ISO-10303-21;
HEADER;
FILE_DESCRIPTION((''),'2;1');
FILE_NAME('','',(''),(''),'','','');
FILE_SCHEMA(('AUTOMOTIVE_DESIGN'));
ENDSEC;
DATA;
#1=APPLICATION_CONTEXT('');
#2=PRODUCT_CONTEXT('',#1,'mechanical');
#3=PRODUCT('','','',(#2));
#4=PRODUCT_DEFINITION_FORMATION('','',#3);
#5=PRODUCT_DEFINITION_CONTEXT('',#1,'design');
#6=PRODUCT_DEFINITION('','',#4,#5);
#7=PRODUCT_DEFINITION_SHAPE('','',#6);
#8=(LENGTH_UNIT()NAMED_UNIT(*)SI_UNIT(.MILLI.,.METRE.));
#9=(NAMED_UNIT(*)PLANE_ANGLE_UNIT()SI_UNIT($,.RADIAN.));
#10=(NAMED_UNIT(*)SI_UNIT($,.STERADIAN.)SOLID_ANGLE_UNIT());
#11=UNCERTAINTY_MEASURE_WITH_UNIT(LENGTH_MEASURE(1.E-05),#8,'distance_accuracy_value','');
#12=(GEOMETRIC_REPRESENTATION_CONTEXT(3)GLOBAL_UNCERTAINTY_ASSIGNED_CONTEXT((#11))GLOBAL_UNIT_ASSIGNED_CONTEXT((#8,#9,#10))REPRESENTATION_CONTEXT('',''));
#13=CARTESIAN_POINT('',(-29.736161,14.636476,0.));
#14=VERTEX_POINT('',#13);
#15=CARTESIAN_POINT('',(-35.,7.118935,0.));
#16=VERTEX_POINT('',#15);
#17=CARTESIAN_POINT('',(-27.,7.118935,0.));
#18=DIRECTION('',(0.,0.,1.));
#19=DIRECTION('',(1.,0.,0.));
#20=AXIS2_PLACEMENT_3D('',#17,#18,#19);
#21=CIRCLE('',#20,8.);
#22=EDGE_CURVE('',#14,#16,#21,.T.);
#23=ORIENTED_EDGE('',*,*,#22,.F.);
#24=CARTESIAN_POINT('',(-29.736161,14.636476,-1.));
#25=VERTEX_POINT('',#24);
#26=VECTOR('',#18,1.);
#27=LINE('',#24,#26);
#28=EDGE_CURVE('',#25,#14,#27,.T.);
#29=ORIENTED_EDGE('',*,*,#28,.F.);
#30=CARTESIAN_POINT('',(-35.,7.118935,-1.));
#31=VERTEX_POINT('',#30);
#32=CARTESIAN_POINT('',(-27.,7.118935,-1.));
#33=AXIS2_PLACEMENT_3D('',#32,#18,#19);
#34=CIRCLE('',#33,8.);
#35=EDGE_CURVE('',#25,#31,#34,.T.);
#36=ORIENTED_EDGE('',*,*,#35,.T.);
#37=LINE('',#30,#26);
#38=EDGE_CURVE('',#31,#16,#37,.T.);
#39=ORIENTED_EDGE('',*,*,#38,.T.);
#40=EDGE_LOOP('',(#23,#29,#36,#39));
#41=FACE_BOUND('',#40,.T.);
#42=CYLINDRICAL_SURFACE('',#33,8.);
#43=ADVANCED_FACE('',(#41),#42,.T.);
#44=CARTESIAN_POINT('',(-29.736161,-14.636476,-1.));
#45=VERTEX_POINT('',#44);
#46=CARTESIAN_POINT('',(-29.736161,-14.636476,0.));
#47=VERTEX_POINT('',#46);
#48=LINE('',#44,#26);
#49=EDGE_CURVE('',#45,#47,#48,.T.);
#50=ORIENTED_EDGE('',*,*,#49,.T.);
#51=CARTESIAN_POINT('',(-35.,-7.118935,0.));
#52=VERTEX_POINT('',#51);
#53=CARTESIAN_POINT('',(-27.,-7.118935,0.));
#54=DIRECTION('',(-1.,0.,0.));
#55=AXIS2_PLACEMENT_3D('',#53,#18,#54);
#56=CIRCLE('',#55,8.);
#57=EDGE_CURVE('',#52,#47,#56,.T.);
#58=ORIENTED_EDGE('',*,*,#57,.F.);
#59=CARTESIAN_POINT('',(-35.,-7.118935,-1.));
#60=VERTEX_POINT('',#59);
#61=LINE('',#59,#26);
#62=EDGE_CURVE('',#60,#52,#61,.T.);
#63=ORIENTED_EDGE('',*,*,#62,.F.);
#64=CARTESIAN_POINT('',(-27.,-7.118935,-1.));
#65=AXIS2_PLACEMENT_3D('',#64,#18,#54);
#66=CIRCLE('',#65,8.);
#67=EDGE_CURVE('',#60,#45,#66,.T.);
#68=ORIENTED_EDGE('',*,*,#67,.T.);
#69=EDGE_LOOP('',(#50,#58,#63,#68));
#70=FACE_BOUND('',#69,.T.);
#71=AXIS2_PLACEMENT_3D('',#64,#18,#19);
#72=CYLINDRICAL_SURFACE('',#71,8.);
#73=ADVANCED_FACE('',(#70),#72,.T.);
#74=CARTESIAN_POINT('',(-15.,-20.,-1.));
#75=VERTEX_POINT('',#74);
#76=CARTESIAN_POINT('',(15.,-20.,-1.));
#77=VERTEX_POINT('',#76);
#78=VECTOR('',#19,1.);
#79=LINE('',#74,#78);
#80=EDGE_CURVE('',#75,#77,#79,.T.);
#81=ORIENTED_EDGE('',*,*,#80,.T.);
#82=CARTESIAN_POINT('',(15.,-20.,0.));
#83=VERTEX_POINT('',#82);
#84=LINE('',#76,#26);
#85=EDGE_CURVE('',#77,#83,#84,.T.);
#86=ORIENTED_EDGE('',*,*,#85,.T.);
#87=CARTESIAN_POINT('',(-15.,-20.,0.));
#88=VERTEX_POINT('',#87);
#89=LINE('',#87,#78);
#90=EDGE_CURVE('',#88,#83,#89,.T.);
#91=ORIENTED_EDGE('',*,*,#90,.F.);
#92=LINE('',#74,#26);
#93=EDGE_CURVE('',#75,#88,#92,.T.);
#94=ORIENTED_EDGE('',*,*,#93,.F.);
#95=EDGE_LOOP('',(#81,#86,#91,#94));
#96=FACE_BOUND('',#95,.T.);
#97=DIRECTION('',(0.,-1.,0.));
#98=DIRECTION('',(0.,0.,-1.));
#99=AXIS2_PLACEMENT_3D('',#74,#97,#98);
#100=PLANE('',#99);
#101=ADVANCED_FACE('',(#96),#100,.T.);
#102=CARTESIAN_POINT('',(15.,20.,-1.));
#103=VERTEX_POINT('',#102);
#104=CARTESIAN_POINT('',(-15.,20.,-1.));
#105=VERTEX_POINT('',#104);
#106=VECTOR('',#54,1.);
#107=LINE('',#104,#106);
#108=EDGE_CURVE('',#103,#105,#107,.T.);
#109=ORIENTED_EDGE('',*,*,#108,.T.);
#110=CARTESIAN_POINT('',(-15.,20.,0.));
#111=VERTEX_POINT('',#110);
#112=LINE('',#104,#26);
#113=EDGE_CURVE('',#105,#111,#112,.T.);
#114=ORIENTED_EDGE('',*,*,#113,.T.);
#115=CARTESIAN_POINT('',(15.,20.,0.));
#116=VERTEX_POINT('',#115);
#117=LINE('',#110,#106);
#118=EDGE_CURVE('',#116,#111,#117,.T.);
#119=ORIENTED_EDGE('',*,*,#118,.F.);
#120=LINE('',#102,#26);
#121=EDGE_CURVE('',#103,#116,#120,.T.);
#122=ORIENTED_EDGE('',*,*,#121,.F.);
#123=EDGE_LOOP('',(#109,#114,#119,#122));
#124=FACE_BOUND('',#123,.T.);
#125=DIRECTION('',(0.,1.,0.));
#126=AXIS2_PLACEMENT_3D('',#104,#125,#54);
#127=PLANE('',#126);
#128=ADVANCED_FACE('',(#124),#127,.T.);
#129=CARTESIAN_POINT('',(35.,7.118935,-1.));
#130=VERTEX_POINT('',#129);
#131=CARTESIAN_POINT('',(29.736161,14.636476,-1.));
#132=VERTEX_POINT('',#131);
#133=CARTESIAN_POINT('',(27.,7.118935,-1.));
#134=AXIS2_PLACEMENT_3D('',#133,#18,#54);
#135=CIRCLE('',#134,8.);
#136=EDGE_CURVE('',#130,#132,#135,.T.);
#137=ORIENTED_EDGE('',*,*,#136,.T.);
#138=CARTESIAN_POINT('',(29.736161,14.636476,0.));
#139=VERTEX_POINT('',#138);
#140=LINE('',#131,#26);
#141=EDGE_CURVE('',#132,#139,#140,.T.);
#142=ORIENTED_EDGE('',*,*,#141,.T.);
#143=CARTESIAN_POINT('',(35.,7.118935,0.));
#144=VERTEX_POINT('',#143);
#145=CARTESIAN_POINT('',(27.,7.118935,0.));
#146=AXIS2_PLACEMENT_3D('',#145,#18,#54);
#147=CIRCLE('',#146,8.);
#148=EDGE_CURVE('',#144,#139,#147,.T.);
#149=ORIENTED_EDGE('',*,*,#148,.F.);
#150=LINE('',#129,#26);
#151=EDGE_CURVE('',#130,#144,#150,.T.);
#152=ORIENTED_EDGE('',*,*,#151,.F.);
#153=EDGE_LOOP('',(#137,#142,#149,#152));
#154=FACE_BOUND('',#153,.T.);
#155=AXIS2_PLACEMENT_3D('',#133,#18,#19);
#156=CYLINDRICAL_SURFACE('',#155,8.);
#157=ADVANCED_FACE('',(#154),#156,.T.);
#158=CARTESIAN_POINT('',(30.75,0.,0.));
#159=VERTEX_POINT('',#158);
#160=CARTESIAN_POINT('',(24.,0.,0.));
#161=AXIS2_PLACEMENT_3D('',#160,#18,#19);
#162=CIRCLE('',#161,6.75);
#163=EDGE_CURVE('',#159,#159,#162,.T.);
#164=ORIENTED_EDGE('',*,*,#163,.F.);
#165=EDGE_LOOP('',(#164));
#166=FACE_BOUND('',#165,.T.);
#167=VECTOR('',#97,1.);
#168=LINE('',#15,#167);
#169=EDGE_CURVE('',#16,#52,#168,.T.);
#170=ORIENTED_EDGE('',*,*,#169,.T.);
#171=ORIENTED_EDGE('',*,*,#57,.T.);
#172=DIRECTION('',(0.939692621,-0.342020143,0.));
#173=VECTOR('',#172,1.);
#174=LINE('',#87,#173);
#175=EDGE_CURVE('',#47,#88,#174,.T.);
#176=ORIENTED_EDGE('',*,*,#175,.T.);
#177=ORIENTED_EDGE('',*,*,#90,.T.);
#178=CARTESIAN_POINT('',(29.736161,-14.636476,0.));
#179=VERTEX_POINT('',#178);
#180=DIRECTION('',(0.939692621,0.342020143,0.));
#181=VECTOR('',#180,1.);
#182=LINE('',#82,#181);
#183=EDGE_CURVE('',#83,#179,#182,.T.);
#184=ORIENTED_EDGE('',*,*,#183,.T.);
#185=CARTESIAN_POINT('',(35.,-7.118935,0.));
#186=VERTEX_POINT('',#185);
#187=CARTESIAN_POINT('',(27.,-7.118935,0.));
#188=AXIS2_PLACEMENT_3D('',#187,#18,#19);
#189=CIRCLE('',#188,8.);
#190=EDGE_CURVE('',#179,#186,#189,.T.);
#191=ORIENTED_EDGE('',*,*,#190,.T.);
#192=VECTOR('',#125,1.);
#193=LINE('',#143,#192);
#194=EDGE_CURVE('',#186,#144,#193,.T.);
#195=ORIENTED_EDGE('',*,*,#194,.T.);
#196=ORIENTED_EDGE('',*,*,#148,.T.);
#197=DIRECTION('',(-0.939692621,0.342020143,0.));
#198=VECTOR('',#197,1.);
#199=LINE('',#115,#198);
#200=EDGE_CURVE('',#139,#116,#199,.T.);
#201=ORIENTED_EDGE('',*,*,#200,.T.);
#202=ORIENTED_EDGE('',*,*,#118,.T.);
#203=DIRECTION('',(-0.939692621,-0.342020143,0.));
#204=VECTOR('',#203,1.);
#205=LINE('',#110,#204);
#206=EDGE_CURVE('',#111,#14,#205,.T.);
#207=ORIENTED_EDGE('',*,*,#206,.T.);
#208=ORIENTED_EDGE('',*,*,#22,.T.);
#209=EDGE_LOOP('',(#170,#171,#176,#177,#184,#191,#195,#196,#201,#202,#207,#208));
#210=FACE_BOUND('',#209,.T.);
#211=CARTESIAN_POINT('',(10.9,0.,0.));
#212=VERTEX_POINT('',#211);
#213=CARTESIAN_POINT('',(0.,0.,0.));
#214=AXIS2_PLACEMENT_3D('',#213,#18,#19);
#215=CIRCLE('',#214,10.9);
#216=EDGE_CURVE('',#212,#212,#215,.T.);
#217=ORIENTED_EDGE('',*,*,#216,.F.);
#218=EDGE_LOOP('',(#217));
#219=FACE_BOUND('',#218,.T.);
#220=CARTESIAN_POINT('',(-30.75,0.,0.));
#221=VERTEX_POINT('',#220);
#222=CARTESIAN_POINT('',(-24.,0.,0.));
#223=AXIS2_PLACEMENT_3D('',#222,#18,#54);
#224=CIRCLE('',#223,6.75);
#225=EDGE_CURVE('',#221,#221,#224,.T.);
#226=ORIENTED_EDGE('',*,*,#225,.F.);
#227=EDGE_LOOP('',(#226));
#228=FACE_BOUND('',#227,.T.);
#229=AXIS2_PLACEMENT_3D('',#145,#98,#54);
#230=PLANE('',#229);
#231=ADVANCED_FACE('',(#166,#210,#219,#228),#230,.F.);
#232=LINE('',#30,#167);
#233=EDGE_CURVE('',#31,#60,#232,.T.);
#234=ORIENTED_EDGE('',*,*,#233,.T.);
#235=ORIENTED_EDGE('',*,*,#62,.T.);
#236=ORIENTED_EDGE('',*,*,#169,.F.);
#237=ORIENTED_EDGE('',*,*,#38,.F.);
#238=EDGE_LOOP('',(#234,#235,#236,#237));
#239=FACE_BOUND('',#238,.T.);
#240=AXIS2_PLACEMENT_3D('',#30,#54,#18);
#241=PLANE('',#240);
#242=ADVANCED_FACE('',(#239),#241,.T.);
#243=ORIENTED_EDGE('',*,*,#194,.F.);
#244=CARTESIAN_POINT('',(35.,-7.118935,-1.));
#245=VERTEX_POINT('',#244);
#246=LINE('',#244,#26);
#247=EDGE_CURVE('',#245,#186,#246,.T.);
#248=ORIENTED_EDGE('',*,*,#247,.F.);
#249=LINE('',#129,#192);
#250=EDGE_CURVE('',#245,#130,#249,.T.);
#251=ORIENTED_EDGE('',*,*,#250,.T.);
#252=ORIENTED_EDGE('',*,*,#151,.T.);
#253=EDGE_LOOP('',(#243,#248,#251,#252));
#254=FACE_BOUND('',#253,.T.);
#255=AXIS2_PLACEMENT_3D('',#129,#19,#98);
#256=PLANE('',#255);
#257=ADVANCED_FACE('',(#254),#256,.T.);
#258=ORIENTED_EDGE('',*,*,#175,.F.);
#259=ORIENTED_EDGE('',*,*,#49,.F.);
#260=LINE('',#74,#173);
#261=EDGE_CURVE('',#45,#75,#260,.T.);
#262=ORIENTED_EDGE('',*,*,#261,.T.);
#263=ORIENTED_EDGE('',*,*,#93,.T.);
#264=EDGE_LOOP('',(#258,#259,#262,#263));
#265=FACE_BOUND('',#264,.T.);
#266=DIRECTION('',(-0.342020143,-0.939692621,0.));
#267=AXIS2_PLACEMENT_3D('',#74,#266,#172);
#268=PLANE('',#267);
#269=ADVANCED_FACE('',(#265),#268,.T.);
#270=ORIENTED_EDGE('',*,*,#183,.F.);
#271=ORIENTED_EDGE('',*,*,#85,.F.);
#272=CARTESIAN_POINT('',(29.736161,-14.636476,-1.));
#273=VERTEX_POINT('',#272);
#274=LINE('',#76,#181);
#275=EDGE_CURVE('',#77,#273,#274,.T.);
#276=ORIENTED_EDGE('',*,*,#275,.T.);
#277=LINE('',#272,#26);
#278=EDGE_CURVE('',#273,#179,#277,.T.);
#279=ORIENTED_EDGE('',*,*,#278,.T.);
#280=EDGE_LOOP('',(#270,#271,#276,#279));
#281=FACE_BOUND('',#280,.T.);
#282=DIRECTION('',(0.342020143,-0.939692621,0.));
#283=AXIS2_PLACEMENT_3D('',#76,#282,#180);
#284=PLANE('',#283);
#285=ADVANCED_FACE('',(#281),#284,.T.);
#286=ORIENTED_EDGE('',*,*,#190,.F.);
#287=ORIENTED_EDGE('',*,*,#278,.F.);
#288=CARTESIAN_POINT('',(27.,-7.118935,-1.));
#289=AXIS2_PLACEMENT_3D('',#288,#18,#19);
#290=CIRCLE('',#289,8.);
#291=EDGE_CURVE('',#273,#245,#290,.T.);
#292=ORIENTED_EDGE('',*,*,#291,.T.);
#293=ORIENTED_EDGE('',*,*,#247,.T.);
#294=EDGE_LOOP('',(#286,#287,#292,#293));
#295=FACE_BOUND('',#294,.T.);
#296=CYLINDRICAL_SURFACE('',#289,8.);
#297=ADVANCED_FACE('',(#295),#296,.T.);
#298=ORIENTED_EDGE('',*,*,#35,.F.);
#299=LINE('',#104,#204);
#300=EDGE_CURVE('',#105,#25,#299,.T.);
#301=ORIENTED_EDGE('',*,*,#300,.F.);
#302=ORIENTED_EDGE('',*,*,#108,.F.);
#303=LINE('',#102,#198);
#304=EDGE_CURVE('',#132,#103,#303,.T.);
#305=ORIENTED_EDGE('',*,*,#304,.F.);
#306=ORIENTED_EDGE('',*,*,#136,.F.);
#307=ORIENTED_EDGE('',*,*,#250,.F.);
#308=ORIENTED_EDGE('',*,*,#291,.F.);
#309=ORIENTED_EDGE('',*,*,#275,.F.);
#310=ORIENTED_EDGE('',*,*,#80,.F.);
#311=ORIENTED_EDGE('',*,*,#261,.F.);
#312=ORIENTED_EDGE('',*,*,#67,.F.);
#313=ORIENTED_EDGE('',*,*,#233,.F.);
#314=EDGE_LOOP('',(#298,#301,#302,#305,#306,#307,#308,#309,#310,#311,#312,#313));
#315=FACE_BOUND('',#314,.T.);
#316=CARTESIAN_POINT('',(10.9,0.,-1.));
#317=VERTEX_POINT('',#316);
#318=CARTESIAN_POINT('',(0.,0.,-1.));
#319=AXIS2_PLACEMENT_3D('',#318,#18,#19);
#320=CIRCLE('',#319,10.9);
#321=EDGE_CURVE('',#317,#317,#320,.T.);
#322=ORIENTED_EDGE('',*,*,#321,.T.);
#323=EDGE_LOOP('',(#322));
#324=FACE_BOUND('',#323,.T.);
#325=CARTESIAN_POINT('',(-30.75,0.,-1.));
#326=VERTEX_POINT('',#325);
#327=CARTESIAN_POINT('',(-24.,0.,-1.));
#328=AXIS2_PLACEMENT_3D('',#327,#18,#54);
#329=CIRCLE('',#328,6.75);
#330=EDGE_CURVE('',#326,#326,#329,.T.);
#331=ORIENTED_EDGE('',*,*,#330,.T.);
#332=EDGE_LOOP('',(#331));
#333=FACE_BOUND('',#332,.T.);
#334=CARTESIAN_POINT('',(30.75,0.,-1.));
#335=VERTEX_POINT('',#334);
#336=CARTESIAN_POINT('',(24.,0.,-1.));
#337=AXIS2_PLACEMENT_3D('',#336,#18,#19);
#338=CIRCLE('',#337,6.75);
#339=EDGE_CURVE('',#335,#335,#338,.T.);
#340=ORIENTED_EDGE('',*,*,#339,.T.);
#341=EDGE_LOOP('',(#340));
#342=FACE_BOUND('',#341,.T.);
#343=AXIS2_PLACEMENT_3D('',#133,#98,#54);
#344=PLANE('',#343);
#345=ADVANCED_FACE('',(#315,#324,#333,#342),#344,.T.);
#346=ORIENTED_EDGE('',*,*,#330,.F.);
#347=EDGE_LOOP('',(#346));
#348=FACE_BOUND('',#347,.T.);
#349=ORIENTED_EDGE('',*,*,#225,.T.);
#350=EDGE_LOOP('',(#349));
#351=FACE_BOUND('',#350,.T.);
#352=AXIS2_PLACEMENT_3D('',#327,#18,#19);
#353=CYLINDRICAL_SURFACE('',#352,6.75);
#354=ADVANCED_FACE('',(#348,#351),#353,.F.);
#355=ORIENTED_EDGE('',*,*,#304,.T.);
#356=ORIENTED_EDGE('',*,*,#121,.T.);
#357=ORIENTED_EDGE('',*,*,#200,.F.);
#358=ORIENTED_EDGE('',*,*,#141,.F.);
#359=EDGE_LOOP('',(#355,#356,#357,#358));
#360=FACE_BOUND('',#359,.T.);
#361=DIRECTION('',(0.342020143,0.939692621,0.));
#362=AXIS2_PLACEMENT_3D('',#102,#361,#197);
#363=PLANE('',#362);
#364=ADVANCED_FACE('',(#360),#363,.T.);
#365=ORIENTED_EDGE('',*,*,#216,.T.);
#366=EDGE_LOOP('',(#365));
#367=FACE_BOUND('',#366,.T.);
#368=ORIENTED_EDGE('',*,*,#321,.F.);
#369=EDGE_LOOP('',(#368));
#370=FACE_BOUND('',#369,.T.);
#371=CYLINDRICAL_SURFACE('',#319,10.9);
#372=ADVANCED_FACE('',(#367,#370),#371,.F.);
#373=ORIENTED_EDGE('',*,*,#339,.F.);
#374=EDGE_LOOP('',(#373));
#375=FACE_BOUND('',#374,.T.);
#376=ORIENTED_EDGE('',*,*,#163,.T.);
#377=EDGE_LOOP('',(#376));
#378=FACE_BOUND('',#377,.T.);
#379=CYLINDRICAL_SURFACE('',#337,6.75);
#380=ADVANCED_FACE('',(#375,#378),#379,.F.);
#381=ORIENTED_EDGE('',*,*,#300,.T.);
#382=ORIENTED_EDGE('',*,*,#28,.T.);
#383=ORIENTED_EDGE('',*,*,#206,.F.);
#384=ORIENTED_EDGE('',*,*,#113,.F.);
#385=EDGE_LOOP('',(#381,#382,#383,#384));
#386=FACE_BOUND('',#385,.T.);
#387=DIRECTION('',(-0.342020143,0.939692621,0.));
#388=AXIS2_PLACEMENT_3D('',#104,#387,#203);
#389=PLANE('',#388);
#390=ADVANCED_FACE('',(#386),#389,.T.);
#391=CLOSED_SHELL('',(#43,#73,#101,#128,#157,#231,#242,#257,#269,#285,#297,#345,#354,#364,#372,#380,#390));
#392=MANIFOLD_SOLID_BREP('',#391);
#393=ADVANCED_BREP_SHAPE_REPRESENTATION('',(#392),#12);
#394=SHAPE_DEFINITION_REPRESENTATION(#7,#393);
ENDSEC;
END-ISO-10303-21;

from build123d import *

# Parameters (mm, degrees)
SKETCH1_R           = 10.9
SKETCH1_R_2         = 6.75
BOSS_EXTRUDE1_DEPTH = 1


with BuildPart() as part:
    # Sketch1 → Boss-Extrude1 (new body)
    with BuildSketch(Plane.XY):
        with BuildLine():
            Line((-15, 20), (15, 20))
            Line((15, 20), (29.736161147, 14.636475975))
            ThreePointArc((29.736161147, 14.636475975), (33.553216354, 11.7075465), (35, 7.118935009))
            Line((35, 7.118935009), (35, -7.118935009))
            ThreePointArc((35, -7.118935009), (33.553216354, -11.7075465), (29.736161147, -14.636475975))
            Line((29.736161147, -14.636475975), (15, -20))
            Line((15, -20), (-15, -20))
            Line((-15, -20), (-29.736161147, -14.636475975))
            ThreePointArc((-29.736161147, -14.636475975), (-33.553216354, -11.7075465), (-35, -7.118935009))
            Line((-35, -7.118935009), (-35, 7.118935009))
            ThreePointArc((-35, 7.118935009), (-33.553216354, 11.7075465), (-29.736161147, 14.636475975))
            Line((-29.736161147, 14.636475975), (-15, 20))
        make_face()
        Circle(SKETCH1_R, mode=Mode.SUBTRACT)
        with Locations((24, 0)):
            Circle(SKETCH1_R_2, mode=Mode.SUBTRACT)
        with Locations(Location((-24, 0, 0), (0, 0, 180))):
            Circle(SKETCH1_R_2, mode=Mode.SUBTRACT)
    extrude(amount=-BOSS_EXTRUDE1_DEPTH)


solid = part.part
